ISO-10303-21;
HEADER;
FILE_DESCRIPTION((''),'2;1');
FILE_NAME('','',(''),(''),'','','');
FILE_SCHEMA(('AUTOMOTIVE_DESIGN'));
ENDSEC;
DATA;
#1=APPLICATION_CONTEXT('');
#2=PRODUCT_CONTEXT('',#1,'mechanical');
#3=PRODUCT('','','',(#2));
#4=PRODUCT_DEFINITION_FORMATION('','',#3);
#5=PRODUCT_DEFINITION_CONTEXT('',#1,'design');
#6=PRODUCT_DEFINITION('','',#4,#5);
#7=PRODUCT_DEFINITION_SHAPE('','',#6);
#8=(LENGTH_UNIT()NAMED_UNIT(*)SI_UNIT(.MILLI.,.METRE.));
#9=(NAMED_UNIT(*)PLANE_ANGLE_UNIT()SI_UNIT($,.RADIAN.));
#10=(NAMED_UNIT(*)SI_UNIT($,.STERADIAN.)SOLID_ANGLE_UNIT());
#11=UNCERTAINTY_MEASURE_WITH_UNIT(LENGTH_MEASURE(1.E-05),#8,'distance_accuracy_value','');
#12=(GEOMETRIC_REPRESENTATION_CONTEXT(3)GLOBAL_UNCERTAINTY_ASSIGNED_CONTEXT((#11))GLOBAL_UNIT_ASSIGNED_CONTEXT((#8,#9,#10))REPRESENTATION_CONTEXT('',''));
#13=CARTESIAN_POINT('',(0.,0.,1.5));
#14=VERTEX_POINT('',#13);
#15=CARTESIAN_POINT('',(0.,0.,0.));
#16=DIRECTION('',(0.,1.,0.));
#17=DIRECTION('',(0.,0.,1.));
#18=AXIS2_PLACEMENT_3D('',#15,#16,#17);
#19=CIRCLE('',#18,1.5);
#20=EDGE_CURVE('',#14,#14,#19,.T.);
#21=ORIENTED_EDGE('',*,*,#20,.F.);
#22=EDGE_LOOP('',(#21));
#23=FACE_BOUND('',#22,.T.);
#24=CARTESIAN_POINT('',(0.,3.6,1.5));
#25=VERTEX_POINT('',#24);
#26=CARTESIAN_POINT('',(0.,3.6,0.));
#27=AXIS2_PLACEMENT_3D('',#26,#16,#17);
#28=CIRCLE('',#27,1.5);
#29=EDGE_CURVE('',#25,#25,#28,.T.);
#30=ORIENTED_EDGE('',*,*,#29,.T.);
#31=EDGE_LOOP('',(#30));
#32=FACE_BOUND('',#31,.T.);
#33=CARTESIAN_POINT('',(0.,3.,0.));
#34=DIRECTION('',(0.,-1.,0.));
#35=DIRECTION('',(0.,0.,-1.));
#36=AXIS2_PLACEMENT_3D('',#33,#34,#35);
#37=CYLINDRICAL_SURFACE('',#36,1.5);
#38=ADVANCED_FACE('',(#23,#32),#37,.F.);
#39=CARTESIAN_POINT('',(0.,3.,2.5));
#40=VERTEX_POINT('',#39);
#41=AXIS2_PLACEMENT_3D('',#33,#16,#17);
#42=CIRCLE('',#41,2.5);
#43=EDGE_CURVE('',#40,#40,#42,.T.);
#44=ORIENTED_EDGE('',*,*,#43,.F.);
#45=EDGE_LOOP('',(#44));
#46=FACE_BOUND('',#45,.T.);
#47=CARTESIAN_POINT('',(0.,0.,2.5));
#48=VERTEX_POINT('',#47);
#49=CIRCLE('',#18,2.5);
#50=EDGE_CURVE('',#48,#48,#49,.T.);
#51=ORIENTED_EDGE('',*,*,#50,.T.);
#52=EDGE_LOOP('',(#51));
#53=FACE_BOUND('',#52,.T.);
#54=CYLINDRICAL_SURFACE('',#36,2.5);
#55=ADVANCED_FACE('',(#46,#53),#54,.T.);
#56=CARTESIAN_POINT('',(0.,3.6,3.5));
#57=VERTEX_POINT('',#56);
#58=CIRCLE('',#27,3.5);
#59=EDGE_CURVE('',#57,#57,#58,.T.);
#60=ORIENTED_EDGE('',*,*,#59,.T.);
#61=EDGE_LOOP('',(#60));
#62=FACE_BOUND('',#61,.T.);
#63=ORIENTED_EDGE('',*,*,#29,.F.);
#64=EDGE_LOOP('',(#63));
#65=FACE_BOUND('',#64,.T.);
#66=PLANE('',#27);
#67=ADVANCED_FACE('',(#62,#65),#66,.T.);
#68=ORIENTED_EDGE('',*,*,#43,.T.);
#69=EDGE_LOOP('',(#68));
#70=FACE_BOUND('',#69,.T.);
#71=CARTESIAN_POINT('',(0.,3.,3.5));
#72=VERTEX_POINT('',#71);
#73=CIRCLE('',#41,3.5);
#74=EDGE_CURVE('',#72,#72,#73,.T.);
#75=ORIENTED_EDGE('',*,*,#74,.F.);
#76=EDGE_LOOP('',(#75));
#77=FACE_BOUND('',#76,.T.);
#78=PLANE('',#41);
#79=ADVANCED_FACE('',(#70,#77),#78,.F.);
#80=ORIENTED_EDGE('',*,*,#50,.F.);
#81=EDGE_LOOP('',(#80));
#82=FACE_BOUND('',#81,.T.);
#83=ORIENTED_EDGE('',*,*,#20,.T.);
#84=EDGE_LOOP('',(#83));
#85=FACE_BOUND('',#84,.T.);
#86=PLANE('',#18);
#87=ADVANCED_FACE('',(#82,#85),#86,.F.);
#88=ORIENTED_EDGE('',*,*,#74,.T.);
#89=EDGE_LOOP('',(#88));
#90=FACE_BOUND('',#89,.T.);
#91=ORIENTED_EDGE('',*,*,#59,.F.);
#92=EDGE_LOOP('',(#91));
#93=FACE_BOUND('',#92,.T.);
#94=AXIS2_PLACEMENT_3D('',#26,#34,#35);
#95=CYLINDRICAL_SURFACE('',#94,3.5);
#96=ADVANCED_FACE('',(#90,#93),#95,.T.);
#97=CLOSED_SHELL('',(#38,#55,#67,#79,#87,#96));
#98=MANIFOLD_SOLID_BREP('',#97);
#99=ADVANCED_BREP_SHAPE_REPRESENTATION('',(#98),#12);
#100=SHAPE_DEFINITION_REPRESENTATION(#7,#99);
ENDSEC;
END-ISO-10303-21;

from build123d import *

# Parameters (mm, degrees)
SKETCH_2_R      = 2.5
SKETCH_2_R_2    = 1.5
EXTRUDE_1_DEPTH = 3
SKETCH_3_R      = 3.5
SKETCH_3_R_2    = 1.5
EXTRUDE_2_DEPTH = 0.6


with BuildPart() as part:
    # 草图2 → 凸台-拉伸1 (new body)
    with BuildSketch(Plane(origin=(0, 0, 0), x_dir=(1, 0, 0), z_dir=(0, 1, 0))):
        with Locations(Location((0, 0, 0), (0, 0, 270))):
            Circle(SKETCH_2_R)
        with Locations(Location((0, 0, 0), (0, 0, 270))):
            Circle(SKETCH_2_R_2, mode=Mode.SUBTRACT)
    extrude(amount=EXTRUDE_1_DEPTH)

    # 草图3 → 凸台-拉伸2 (add)
    with BuildSketch(Plane(origin=(0, 3, 0), x_dir=(1, 0, 0), z_dir=(0, 1, 0))):
        with Locations(Location((0, 0, 0), (0, 0, 270))):
            Circle(SKETCH_3_R)
        with Locations(Location((0, 0, 0), (0, 0, 270))):
            Circle(SKETCH_3_R_2, mode=Mode.SUBTRACT)
    extrude(amount=EXTRUDE_2_DEPTH)


solid = part.part
